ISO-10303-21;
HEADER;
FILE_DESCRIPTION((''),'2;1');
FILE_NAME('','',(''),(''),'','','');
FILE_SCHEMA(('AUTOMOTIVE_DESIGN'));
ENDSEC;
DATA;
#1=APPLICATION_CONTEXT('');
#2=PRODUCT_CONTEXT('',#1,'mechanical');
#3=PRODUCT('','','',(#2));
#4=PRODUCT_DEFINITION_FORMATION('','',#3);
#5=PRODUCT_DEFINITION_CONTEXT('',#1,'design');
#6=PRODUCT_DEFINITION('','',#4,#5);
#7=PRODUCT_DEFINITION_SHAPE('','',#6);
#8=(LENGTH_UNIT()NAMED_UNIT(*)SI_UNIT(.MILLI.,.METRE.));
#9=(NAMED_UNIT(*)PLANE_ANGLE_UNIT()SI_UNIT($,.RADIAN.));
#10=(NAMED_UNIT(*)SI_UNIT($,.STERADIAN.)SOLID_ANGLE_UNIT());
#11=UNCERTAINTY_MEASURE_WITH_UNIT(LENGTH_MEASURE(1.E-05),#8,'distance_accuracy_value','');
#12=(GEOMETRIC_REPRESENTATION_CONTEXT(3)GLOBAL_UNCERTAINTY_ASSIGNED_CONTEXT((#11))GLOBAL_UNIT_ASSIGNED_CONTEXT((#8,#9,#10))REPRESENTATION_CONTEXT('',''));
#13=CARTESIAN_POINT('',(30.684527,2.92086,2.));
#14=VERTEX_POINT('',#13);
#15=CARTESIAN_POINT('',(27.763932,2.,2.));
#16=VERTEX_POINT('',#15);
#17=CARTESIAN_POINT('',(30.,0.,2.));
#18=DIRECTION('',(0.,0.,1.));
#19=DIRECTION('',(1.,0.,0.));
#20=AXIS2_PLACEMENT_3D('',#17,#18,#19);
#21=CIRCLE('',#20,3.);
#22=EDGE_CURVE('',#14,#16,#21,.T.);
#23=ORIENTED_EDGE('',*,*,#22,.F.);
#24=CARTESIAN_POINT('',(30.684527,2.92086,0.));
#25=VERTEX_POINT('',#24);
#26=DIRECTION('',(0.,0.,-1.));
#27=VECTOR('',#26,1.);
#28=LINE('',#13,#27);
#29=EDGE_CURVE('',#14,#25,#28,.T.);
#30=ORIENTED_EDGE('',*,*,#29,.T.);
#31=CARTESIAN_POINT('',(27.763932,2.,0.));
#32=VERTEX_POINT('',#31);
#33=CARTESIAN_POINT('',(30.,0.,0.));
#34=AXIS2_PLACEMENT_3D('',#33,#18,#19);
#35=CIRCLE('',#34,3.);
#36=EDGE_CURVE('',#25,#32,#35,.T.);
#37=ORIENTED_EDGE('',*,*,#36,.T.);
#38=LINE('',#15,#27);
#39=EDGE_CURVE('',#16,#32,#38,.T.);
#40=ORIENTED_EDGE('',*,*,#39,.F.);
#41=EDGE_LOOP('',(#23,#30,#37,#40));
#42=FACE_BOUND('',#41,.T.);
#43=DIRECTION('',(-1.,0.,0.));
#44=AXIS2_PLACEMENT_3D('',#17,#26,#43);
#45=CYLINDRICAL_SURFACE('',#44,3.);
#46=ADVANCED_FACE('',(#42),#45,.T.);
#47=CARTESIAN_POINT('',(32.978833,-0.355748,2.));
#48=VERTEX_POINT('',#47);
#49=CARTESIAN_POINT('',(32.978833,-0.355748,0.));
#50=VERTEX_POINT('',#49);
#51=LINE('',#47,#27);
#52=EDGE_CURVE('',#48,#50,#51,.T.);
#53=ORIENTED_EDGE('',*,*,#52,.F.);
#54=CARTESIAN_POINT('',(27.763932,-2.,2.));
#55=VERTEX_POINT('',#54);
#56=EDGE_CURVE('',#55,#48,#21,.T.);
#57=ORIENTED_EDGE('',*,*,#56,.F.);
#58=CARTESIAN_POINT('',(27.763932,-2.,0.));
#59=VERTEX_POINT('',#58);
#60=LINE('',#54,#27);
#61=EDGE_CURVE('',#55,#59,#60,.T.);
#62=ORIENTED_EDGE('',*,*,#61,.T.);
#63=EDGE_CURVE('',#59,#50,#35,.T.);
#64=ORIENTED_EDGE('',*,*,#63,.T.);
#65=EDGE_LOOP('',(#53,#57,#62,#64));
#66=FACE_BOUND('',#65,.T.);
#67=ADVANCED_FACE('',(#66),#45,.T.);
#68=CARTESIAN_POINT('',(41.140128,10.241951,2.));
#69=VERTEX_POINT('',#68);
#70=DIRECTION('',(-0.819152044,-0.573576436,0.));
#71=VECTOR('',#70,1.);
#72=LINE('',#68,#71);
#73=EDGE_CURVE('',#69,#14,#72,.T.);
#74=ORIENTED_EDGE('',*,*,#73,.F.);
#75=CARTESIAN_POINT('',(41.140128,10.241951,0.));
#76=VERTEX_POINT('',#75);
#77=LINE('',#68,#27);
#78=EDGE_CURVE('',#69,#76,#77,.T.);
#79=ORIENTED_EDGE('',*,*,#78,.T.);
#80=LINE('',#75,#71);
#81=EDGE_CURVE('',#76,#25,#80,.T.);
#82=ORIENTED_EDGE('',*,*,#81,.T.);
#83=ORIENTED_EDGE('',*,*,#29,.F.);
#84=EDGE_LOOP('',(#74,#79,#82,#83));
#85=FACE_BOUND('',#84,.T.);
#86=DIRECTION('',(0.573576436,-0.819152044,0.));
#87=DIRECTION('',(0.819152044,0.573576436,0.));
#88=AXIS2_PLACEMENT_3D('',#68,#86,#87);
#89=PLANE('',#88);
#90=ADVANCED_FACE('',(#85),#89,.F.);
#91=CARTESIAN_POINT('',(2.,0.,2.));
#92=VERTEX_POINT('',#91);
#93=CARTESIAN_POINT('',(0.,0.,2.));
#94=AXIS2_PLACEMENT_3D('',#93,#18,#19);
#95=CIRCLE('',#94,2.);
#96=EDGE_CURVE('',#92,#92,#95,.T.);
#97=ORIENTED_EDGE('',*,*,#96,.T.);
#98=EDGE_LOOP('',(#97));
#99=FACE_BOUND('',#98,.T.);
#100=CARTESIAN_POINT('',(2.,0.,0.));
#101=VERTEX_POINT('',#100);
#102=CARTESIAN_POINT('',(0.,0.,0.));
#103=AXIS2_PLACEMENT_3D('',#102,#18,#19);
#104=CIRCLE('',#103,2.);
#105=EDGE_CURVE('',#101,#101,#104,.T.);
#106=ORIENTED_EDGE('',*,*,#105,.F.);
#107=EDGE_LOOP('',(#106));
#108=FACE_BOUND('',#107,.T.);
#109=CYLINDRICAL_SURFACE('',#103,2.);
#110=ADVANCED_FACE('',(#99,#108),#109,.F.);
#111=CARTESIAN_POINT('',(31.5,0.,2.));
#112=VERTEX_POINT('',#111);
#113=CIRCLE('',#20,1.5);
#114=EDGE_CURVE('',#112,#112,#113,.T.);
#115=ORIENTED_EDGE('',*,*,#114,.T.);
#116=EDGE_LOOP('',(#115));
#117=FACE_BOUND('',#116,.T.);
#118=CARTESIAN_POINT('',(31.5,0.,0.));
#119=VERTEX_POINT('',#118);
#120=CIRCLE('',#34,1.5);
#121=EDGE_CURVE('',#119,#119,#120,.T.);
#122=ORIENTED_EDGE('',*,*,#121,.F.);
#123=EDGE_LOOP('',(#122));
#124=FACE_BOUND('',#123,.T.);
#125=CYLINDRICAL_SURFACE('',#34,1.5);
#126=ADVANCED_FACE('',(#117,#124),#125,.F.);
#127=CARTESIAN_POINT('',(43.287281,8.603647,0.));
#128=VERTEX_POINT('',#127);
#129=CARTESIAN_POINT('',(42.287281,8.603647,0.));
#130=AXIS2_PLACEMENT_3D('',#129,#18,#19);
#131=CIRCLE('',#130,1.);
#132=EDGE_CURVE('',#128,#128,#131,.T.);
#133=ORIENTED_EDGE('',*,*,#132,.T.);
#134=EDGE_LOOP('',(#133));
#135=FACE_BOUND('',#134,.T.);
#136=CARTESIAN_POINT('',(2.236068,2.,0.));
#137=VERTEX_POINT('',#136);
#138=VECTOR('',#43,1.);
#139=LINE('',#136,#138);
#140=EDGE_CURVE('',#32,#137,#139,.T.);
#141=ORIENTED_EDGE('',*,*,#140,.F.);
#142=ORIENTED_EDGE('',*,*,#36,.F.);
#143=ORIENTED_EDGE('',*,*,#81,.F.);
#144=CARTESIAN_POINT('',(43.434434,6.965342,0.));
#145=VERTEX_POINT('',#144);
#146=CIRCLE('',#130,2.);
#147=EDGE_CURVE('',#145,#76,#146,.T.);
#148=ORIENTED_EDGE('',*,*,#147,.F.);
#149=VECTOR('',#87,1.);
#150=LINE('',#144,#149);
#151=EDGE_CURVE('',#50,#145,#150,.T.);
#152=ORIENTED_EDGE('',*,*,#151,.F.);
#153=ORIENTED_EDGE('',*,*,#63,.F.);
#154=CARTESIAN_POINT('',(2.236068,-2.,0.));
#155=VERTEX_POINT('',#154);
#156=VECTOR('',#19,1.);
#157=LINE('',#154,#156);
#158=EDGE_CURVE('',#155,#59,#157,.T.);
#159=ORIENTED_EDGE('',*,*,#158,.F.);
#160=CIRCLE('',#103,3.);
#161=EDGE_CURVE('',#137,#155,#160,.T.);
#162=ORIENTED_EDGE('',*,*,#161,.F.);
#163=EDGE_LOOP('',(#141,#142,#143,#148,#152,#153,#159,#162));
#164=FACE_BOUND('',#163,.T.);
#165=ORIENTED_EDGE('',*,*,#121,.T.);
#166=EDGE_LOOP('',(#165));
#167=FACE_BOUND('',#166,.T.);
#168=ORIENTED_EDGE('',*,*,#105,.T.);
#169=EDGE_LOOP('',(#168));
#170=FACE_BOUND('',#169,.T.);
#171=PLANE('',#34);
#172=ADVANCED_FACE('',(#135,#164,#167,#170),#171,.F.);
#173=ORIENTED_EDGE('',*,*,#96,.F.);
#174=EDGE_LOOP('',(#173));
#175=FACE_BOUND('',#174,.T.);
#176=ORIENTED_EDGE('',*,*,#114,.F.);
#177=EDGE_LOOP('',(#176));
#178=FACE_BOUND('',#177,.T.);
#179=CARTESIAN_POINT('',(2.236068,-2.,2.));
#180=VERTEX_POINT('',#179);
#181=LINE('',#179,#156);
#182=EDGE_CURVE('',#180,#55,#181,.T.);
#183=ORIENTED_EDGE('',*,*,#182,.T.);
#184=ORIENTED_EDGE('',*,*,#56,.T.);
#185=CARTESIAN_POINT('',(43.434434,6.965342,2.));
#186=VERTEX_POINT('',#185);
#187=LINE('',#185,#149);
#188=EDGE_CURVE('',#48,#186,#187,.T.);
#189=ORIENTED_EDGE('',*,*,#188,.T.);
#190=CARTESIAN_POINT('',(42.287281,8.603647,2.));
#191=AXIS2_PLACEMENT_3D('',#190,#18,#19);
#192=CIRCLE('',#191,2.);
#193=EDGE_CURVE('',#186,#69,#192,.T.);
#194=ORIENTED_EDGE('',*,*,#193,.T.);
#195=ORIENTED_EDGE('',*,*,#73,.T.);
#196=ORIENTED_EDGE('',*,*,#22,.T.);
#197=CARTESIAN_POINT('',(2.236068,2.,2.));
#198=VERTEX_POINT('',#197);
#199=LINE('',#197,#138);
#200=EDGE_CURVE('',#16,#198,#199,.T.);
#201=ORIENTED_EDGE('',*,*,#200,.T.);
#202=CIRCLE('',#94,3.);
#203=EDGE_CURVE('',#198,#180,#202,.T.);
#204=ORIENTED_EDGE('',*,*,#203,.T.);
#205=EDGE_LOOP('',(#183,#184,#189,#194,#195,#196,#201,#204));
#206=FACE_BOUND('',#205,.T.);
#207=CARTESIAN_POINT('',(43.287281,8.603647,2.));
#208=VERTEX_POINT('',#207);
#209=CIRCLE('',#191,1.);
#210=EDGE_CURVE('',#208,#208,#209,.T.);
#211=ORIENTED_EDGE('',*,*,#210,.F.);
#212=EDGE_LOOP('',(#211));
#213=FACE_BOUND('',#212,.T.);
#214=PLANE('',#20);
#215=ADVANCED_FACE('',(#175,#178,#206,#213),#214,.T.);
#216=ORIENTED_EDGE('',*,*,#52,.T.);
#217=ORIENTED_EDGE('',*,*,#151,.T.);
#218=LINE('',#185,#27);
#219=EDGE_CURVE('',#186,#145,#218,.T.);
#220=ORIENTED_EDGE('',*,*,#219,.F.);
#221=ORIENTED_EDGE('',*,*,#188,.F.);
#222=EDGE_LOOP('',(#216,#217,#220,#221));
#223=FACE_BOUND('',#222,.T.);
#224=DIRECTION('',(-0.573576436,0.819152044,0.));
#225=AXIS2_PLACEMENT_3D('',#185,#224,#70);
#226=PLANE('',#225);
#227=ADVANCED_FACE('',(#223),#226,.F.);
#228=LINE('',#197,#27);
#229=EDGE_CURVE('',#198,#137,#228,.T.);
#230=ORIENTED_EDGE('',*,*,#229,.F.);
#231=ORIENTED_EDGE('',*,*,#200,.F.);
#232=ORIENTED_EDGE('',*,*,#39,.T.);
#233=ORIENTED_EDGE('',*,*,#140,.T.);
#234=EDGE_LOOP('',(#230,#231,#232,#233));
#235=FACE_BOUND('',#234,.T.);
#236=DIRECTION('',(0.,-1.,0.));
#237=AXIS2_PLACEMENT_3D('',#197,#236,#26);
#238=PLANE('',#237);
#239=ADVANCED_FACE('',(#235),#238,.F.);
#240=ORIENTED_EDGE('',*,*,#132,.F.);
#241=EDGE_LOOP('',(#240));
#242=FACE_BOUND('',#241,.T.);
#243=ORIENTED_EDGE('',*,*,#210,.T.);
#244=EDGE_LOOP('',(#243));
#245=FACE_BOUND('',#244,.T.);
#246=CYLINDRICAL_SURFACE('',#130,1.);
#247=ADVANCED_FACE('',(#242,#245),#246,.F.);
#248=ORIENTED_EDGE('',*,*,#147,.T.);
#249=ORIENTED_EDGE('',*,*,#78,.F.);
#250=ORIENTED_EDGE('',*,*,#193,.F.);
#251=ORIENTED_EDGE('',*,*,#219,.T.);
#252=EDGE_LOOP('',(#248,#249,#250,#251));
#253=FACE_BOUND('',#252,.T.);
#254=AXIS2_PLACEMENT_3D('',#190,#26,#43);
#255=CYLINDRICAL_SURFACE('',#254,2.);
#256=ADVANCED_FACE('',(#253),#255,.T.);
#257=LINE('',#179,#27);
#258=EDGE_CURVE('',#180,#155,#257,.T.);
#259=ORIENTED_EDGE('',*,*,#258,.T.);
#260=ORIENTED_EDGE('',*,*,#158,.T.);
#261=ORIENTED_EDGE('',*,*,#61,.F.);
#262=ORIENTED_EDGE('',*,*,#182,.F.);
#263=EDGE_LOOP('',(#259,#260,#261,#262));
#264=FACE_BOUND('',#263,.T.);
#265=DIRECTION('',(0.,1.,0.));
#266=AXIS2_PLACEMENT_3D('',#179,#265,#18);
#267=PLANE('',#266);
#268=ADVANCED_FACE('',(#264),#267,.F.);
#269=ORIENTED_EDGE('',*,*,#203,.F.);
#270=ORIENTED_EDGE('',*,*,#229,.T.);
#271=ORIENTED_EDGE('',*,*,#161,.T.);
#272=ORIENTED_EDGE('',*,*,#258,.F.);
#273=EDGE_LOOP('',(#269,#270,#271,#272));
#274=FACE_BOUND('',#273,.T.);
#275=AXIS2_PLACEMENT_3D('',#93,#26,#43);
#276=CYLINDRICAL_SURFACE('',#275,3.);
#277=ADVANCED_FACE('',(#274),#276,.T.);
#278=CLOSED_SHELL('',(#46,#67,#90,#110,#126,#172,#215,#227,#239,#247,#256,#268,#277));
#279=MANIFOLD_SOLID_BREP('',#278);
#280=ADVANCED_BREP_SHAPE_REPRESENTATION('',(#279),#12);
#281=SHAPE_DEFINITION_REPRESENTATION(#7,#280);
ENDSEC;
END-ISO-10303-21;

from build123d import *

# Parameters (mm, degrees)
EXTRUDE_1_DEPTH     = 2
SKETCH_2_R          = 2
SKETCH_2_R_2        = 1.5
SKETCH_2_R_3        = 1
CUT_EXTRUDE_1_DEPTH = 2


with BuildPart() as part:
    # 草图1 → 凸台-拉伸1 (new body)
    with BuildSketch(Plane.XY):
        with BuildLine():
            Line((41.140127792, 10.241950634), (30.684526782, 2.920859991))
            ThreePointArc((30.684526782, 2.920859991), (29.097882601, 2.861150852), (27.763932023, 2))
            Line((27.763932023, 2), (2.236067977, 2))
            ThreePointArc((2.236067977, 2), (-3, 0), (2.236067977, -2))
            Line((2.236067977, -2), (27.763932023, -2))
            ThreePointArc((27.763932023, -2), (30.902117399, -2.861150852), (32.978832528, -0.355748187))
            Line((32.978832528, -0.355748187), (43.434433537, 6.965342457))
            ThreePointArc((43.434433537, 6.965342457), (43.925584753, 9.750799418), (41.140127792, 10.241950634))
        make_face()
    extrude(amount=EXTRUDE_1_DEPTH)

    # 草图2 → 切除-拉伸1 (cut)
    with BuildSketch(Plane.XY.offset(2)):
        Circle(SKETCH_2_R)
        with Locations((30, 0)):
            Circle(SKETCH_2_R_2)
        with Locations((42.287280664, 8.603646545)):
            Circle(SKETCH_2_R_3)
    extrude(amount=-CUT_EXTRUDE_1_DEPTH, mode=Mode.SUBTRACT)


solid = part.part
